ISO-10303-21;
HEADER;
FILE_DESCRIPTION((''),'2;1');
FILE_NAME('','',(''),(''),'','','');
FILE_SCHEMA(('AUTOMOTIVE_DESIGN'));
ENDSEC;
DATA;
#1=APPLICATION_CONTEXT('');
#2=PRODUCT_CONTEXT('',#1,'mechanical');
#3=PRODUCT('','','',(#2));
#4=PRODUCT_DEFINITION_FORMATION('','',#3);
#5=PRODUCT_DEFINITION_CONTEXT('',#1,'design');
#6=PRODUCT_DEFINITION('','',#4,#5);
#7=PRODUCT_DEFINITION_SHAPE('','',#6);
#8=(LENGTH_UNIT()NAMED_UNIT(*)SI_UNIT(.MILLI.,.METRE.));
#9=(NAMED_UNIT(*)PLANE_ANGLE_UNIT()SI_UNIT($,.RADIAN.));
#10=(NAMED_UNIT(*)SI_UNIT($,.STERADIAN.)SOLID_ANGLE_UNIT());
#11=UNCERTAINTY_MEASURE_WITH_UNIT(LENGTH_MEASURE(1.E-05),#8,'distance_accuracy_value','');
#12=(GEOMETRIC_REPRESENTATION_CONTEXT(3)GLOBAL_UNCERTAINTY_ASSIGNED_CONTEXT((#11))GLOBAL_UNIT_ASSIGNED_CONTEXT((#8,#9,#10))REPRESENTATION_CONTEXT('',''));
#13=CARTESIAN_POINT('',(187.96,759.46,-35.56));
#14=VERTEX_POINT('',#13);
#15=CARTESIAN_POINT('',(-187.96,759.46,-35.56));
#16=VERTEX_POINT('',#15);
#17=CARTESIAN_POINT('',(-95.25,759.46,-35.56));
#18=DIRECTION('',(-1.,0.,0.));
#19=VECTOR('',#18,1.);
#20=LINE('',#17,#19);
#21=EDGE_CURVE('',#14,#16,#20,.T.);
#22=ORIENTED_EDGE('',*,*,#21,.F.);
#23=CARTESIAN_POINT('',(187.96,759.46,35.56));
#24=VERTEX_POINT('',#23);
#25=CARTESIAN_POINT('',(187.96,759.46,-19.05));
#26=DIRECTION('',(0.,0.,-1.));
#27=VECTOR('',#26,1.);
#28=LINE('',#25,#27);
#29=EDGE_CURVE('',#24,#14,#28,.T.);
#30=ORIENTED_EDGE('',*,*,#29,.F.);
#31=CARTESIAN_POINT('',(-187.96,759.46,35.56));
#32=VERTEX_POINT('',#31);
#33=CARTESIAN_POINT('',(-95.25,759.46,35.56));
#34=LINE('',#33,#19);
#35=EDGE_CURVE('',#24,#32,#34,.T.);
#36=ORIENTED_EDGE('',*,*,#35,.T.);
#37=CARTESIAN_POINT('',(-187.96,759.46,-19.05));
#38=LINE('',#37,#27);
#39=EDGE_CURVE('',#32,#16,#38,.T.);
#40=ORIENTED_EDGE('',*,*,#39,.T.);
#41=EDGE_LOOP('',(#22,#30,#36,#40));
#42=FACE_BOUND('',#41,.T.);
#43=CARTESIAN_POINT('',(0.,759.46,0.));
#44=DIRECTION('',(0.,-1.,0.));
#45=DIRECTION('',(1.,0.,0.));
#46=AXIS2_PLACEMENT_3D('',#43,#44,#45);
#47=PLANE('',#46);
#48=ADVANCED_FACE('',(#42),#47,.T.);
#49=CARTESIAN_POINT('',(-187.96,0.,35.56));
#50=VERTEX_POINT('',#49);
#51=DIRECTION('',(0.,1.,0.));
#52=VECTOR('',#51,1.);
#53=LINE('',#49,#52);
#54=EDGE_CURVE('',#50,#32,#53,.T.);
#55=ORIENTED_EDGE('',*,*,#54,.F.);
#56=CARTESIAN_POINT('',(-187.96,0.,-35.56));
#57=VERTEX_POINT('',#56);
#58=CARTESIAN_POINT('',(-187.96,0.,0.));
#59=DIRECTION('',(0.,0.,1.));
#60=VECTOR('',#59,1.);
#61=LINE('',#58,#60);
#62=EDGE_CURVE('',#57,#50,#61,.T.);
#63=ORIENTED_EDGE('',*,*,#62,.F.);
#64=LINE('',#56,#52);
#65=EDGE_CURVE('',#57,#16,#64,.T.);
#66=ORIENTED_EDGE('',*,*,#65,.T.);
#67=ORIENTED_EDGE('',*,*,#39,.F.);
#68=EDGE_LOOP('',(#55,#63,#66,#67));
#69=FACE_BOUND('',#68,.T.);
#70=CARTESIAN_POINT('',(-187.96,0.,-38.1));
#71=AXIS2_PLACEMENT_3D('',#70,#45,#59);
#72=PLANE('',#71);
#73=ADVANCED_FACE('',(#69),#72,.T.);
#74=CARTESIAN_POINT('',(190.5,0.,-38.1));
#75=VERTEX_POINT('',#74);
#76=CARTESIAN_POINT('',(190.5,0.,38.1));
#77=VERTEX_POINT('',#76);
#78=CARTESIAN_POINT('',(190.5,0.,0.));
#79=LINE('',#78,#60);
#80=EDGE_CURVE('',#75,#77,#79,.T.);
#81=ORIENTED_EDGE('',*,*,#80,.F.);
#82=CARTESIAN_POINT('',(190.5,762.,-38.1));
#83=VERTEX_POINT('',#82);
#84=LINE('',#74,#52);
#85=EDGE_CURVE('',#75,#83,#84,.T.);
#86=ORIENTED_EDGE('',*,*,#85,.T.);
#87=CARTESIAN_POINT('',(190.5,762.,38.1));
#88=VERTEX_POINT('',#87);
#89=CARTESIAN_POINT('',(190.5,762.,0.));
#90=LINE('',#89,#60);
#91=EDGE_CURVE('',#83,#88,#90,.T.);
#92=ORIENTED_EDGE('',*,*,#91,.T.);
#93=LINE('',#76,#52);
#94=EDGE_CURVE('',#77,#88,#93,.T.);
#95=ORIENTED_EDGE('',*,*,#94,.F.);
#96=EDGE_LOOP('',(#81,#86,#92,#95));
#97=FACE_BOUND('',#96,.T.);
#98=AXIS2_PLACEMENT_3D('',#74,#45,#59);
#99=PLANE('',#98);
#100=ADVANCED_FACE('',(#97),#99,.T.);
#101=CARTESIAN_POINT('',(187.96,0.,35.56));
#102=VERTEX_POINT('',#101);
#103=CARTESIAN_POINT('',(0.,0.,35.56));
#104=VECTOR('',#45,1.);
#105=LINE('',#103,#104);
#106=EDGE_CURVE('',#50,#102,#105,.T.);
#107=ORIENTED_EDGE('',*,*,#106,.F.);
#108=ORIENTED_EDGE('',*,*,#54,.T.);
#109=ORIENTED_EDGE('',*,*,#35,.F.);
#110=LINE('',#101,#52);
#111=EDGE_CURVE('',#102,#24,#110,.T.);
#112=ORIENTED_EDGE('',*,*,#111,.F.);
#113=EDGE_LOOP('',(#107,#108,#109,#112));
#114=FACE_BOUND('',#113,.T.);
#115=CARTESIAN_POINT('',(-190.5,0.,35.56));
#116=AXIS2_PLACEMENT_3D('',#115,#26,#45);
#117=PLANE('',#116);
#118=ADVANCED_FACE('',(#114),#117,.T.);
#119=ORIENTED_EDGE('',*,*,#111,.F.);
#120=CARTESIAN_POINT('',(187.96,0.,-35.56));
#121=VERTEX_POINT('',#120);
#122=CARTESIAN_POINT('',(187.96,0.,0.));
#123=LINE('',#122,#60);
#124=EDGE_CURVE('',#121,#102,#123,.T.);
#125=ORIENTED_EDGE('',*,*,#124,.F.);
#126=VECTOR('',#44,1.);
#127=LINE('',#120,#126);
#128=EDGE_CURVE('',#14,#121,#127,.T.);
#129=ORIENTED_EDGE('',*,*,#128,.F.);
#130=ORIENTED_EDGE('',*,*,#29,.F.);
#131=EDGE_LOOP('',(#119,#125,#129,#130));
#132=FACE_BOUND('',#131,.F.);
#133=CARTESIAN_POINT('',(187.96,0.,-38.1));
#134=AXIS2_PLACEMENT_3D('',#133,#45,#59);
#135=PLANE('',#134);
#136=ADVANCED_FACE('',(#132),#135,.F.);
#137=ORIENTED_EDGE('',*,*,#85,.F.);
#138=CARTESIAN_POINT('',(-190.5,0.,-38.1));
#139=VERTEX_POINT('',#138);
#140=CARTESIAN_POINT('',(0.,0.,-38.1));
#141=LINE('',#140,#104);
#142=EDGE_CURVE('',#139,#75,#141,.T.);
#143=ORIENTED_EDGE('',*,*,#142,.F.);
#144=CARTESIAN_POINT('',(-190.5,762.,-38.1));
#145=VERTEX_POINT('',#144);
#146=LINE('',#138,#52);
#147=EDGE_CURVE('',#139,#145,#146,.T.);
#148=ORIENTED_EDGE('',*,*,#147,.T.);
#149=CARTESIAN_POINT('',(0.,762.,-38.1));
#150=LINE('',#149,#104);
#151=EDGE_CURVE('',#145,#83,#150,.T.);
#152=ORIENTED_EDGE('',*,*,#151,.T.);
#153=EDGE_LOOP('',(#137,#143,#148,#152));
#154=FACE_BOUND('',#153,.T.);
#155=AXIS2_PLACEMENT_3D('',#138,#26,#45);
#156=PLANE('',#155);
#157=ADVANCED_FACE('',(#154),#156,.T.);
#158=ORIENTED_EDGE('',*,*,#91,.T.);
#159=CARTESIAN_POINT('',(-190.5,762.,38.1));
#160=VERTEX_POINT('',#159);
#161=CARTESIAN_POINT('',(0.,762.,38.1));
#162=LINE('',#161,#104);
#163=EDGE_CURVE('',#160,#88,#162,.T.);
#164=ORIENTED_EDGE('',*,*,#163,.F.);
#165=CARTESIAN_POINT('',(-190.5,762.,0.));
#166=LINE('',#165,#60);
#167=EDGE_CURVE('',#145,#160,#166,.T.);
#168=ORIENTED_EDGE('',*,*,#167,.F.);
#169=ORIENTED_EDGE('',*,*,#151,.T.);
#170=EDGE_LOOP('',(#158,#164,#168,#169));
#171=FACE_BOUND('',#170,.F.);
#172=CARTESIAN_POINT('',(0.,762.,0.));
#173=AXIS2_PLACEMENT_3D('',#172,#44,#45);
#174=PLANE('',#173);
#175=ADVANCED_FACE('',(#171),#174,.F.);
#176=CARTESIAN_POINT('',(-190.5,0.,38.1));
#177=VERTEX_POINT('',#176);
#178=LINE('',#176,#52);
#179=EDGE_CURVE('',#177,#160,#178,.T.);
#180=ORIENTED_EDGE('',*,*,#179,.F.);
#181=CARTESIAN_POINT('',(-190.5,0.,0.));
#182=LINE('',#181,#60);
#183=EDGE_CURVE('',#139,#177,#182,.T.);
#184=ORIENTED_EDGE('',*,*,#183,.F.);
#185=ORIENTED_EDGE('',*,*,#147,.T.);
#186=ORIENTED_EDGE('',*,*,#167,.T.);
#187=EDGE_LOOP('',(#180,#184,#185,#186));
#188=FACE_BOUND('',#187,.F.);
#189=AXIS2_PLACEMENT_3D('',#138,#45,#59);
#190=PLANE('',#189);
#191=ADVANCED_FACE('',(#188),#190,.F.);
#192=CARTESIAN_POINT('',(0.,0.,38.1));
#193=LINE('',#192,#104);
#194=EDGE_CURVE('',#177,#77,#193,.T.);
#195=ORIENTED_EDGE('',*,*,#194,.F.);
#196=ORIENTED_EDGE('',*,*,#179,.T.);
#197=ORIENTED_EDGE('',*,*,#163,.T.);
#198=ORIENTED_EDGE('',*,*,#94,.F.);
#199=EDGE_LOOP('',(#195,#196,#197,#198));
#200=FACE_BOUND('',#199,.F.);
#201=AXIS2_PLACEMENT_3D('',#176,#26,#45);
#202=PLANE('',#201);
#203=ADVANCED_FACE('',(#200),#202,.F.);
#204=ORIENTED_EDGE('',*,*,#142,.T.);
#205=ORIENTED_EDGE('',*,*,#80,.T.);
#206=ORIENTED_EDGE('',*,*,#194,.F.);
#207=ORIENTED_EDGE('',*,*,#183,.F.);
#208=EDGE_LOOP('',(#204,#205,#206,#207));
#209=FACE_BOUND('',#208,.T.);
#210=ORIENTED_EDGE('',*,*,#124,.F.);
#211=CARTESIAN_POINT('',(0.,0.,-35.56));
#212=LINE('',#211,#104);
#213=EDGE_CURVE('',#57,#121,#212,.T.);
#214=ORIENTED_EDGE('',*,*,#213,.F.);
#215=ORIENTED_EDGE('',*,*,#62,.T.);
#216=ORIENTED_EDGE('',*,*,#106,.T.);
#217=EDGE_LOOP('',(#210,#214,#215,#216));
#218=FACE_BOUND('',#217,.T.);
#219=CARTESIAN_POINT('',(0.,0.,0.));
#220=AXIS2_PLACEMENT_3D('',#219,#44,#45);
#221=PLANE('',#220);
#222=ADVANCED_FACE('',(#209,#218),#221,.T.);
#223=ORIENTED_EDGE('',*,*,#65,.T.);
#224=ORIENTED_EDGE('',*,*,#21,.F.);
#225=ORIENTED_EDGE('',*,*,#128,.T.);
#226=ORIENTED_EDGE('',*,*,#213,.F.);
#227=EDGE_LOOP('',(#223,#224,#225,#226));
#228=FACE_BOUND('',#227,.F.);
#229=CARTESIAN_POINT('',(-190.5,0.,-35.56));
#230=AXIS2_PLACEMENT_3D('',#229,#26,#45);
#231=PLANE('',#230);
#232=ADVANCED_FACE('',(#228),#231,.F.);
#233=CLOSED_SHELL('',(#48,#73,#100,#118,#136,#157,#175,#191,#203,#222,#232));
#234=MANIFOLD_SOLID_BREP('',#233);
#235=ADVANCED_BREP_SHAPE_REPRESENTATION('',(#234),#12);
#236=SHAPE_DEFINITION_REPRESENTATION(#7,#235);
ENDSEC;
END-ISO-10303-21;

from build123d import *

# Parameters (mm, degrees)
F0_W     = 381
F0_H     = 76.2
F1_DEPTH = 762
F2_T     = -2.54


with BuildPart() as f1:
    # F0 (on Front) → F1 (new body)
    with BuildSketch(Plane.XZ):
        Rectangle(F0_W, F0_H)
    extrude(amount=-F1_DEPTH)

    # F2
    f2_openings = [f1.faces().sort_by_distance(p)[0] for p in [
        (0, 0, 0),
    ]]
    offset(amount=F2_T, openings=f2_openings)


solid = f1.part
